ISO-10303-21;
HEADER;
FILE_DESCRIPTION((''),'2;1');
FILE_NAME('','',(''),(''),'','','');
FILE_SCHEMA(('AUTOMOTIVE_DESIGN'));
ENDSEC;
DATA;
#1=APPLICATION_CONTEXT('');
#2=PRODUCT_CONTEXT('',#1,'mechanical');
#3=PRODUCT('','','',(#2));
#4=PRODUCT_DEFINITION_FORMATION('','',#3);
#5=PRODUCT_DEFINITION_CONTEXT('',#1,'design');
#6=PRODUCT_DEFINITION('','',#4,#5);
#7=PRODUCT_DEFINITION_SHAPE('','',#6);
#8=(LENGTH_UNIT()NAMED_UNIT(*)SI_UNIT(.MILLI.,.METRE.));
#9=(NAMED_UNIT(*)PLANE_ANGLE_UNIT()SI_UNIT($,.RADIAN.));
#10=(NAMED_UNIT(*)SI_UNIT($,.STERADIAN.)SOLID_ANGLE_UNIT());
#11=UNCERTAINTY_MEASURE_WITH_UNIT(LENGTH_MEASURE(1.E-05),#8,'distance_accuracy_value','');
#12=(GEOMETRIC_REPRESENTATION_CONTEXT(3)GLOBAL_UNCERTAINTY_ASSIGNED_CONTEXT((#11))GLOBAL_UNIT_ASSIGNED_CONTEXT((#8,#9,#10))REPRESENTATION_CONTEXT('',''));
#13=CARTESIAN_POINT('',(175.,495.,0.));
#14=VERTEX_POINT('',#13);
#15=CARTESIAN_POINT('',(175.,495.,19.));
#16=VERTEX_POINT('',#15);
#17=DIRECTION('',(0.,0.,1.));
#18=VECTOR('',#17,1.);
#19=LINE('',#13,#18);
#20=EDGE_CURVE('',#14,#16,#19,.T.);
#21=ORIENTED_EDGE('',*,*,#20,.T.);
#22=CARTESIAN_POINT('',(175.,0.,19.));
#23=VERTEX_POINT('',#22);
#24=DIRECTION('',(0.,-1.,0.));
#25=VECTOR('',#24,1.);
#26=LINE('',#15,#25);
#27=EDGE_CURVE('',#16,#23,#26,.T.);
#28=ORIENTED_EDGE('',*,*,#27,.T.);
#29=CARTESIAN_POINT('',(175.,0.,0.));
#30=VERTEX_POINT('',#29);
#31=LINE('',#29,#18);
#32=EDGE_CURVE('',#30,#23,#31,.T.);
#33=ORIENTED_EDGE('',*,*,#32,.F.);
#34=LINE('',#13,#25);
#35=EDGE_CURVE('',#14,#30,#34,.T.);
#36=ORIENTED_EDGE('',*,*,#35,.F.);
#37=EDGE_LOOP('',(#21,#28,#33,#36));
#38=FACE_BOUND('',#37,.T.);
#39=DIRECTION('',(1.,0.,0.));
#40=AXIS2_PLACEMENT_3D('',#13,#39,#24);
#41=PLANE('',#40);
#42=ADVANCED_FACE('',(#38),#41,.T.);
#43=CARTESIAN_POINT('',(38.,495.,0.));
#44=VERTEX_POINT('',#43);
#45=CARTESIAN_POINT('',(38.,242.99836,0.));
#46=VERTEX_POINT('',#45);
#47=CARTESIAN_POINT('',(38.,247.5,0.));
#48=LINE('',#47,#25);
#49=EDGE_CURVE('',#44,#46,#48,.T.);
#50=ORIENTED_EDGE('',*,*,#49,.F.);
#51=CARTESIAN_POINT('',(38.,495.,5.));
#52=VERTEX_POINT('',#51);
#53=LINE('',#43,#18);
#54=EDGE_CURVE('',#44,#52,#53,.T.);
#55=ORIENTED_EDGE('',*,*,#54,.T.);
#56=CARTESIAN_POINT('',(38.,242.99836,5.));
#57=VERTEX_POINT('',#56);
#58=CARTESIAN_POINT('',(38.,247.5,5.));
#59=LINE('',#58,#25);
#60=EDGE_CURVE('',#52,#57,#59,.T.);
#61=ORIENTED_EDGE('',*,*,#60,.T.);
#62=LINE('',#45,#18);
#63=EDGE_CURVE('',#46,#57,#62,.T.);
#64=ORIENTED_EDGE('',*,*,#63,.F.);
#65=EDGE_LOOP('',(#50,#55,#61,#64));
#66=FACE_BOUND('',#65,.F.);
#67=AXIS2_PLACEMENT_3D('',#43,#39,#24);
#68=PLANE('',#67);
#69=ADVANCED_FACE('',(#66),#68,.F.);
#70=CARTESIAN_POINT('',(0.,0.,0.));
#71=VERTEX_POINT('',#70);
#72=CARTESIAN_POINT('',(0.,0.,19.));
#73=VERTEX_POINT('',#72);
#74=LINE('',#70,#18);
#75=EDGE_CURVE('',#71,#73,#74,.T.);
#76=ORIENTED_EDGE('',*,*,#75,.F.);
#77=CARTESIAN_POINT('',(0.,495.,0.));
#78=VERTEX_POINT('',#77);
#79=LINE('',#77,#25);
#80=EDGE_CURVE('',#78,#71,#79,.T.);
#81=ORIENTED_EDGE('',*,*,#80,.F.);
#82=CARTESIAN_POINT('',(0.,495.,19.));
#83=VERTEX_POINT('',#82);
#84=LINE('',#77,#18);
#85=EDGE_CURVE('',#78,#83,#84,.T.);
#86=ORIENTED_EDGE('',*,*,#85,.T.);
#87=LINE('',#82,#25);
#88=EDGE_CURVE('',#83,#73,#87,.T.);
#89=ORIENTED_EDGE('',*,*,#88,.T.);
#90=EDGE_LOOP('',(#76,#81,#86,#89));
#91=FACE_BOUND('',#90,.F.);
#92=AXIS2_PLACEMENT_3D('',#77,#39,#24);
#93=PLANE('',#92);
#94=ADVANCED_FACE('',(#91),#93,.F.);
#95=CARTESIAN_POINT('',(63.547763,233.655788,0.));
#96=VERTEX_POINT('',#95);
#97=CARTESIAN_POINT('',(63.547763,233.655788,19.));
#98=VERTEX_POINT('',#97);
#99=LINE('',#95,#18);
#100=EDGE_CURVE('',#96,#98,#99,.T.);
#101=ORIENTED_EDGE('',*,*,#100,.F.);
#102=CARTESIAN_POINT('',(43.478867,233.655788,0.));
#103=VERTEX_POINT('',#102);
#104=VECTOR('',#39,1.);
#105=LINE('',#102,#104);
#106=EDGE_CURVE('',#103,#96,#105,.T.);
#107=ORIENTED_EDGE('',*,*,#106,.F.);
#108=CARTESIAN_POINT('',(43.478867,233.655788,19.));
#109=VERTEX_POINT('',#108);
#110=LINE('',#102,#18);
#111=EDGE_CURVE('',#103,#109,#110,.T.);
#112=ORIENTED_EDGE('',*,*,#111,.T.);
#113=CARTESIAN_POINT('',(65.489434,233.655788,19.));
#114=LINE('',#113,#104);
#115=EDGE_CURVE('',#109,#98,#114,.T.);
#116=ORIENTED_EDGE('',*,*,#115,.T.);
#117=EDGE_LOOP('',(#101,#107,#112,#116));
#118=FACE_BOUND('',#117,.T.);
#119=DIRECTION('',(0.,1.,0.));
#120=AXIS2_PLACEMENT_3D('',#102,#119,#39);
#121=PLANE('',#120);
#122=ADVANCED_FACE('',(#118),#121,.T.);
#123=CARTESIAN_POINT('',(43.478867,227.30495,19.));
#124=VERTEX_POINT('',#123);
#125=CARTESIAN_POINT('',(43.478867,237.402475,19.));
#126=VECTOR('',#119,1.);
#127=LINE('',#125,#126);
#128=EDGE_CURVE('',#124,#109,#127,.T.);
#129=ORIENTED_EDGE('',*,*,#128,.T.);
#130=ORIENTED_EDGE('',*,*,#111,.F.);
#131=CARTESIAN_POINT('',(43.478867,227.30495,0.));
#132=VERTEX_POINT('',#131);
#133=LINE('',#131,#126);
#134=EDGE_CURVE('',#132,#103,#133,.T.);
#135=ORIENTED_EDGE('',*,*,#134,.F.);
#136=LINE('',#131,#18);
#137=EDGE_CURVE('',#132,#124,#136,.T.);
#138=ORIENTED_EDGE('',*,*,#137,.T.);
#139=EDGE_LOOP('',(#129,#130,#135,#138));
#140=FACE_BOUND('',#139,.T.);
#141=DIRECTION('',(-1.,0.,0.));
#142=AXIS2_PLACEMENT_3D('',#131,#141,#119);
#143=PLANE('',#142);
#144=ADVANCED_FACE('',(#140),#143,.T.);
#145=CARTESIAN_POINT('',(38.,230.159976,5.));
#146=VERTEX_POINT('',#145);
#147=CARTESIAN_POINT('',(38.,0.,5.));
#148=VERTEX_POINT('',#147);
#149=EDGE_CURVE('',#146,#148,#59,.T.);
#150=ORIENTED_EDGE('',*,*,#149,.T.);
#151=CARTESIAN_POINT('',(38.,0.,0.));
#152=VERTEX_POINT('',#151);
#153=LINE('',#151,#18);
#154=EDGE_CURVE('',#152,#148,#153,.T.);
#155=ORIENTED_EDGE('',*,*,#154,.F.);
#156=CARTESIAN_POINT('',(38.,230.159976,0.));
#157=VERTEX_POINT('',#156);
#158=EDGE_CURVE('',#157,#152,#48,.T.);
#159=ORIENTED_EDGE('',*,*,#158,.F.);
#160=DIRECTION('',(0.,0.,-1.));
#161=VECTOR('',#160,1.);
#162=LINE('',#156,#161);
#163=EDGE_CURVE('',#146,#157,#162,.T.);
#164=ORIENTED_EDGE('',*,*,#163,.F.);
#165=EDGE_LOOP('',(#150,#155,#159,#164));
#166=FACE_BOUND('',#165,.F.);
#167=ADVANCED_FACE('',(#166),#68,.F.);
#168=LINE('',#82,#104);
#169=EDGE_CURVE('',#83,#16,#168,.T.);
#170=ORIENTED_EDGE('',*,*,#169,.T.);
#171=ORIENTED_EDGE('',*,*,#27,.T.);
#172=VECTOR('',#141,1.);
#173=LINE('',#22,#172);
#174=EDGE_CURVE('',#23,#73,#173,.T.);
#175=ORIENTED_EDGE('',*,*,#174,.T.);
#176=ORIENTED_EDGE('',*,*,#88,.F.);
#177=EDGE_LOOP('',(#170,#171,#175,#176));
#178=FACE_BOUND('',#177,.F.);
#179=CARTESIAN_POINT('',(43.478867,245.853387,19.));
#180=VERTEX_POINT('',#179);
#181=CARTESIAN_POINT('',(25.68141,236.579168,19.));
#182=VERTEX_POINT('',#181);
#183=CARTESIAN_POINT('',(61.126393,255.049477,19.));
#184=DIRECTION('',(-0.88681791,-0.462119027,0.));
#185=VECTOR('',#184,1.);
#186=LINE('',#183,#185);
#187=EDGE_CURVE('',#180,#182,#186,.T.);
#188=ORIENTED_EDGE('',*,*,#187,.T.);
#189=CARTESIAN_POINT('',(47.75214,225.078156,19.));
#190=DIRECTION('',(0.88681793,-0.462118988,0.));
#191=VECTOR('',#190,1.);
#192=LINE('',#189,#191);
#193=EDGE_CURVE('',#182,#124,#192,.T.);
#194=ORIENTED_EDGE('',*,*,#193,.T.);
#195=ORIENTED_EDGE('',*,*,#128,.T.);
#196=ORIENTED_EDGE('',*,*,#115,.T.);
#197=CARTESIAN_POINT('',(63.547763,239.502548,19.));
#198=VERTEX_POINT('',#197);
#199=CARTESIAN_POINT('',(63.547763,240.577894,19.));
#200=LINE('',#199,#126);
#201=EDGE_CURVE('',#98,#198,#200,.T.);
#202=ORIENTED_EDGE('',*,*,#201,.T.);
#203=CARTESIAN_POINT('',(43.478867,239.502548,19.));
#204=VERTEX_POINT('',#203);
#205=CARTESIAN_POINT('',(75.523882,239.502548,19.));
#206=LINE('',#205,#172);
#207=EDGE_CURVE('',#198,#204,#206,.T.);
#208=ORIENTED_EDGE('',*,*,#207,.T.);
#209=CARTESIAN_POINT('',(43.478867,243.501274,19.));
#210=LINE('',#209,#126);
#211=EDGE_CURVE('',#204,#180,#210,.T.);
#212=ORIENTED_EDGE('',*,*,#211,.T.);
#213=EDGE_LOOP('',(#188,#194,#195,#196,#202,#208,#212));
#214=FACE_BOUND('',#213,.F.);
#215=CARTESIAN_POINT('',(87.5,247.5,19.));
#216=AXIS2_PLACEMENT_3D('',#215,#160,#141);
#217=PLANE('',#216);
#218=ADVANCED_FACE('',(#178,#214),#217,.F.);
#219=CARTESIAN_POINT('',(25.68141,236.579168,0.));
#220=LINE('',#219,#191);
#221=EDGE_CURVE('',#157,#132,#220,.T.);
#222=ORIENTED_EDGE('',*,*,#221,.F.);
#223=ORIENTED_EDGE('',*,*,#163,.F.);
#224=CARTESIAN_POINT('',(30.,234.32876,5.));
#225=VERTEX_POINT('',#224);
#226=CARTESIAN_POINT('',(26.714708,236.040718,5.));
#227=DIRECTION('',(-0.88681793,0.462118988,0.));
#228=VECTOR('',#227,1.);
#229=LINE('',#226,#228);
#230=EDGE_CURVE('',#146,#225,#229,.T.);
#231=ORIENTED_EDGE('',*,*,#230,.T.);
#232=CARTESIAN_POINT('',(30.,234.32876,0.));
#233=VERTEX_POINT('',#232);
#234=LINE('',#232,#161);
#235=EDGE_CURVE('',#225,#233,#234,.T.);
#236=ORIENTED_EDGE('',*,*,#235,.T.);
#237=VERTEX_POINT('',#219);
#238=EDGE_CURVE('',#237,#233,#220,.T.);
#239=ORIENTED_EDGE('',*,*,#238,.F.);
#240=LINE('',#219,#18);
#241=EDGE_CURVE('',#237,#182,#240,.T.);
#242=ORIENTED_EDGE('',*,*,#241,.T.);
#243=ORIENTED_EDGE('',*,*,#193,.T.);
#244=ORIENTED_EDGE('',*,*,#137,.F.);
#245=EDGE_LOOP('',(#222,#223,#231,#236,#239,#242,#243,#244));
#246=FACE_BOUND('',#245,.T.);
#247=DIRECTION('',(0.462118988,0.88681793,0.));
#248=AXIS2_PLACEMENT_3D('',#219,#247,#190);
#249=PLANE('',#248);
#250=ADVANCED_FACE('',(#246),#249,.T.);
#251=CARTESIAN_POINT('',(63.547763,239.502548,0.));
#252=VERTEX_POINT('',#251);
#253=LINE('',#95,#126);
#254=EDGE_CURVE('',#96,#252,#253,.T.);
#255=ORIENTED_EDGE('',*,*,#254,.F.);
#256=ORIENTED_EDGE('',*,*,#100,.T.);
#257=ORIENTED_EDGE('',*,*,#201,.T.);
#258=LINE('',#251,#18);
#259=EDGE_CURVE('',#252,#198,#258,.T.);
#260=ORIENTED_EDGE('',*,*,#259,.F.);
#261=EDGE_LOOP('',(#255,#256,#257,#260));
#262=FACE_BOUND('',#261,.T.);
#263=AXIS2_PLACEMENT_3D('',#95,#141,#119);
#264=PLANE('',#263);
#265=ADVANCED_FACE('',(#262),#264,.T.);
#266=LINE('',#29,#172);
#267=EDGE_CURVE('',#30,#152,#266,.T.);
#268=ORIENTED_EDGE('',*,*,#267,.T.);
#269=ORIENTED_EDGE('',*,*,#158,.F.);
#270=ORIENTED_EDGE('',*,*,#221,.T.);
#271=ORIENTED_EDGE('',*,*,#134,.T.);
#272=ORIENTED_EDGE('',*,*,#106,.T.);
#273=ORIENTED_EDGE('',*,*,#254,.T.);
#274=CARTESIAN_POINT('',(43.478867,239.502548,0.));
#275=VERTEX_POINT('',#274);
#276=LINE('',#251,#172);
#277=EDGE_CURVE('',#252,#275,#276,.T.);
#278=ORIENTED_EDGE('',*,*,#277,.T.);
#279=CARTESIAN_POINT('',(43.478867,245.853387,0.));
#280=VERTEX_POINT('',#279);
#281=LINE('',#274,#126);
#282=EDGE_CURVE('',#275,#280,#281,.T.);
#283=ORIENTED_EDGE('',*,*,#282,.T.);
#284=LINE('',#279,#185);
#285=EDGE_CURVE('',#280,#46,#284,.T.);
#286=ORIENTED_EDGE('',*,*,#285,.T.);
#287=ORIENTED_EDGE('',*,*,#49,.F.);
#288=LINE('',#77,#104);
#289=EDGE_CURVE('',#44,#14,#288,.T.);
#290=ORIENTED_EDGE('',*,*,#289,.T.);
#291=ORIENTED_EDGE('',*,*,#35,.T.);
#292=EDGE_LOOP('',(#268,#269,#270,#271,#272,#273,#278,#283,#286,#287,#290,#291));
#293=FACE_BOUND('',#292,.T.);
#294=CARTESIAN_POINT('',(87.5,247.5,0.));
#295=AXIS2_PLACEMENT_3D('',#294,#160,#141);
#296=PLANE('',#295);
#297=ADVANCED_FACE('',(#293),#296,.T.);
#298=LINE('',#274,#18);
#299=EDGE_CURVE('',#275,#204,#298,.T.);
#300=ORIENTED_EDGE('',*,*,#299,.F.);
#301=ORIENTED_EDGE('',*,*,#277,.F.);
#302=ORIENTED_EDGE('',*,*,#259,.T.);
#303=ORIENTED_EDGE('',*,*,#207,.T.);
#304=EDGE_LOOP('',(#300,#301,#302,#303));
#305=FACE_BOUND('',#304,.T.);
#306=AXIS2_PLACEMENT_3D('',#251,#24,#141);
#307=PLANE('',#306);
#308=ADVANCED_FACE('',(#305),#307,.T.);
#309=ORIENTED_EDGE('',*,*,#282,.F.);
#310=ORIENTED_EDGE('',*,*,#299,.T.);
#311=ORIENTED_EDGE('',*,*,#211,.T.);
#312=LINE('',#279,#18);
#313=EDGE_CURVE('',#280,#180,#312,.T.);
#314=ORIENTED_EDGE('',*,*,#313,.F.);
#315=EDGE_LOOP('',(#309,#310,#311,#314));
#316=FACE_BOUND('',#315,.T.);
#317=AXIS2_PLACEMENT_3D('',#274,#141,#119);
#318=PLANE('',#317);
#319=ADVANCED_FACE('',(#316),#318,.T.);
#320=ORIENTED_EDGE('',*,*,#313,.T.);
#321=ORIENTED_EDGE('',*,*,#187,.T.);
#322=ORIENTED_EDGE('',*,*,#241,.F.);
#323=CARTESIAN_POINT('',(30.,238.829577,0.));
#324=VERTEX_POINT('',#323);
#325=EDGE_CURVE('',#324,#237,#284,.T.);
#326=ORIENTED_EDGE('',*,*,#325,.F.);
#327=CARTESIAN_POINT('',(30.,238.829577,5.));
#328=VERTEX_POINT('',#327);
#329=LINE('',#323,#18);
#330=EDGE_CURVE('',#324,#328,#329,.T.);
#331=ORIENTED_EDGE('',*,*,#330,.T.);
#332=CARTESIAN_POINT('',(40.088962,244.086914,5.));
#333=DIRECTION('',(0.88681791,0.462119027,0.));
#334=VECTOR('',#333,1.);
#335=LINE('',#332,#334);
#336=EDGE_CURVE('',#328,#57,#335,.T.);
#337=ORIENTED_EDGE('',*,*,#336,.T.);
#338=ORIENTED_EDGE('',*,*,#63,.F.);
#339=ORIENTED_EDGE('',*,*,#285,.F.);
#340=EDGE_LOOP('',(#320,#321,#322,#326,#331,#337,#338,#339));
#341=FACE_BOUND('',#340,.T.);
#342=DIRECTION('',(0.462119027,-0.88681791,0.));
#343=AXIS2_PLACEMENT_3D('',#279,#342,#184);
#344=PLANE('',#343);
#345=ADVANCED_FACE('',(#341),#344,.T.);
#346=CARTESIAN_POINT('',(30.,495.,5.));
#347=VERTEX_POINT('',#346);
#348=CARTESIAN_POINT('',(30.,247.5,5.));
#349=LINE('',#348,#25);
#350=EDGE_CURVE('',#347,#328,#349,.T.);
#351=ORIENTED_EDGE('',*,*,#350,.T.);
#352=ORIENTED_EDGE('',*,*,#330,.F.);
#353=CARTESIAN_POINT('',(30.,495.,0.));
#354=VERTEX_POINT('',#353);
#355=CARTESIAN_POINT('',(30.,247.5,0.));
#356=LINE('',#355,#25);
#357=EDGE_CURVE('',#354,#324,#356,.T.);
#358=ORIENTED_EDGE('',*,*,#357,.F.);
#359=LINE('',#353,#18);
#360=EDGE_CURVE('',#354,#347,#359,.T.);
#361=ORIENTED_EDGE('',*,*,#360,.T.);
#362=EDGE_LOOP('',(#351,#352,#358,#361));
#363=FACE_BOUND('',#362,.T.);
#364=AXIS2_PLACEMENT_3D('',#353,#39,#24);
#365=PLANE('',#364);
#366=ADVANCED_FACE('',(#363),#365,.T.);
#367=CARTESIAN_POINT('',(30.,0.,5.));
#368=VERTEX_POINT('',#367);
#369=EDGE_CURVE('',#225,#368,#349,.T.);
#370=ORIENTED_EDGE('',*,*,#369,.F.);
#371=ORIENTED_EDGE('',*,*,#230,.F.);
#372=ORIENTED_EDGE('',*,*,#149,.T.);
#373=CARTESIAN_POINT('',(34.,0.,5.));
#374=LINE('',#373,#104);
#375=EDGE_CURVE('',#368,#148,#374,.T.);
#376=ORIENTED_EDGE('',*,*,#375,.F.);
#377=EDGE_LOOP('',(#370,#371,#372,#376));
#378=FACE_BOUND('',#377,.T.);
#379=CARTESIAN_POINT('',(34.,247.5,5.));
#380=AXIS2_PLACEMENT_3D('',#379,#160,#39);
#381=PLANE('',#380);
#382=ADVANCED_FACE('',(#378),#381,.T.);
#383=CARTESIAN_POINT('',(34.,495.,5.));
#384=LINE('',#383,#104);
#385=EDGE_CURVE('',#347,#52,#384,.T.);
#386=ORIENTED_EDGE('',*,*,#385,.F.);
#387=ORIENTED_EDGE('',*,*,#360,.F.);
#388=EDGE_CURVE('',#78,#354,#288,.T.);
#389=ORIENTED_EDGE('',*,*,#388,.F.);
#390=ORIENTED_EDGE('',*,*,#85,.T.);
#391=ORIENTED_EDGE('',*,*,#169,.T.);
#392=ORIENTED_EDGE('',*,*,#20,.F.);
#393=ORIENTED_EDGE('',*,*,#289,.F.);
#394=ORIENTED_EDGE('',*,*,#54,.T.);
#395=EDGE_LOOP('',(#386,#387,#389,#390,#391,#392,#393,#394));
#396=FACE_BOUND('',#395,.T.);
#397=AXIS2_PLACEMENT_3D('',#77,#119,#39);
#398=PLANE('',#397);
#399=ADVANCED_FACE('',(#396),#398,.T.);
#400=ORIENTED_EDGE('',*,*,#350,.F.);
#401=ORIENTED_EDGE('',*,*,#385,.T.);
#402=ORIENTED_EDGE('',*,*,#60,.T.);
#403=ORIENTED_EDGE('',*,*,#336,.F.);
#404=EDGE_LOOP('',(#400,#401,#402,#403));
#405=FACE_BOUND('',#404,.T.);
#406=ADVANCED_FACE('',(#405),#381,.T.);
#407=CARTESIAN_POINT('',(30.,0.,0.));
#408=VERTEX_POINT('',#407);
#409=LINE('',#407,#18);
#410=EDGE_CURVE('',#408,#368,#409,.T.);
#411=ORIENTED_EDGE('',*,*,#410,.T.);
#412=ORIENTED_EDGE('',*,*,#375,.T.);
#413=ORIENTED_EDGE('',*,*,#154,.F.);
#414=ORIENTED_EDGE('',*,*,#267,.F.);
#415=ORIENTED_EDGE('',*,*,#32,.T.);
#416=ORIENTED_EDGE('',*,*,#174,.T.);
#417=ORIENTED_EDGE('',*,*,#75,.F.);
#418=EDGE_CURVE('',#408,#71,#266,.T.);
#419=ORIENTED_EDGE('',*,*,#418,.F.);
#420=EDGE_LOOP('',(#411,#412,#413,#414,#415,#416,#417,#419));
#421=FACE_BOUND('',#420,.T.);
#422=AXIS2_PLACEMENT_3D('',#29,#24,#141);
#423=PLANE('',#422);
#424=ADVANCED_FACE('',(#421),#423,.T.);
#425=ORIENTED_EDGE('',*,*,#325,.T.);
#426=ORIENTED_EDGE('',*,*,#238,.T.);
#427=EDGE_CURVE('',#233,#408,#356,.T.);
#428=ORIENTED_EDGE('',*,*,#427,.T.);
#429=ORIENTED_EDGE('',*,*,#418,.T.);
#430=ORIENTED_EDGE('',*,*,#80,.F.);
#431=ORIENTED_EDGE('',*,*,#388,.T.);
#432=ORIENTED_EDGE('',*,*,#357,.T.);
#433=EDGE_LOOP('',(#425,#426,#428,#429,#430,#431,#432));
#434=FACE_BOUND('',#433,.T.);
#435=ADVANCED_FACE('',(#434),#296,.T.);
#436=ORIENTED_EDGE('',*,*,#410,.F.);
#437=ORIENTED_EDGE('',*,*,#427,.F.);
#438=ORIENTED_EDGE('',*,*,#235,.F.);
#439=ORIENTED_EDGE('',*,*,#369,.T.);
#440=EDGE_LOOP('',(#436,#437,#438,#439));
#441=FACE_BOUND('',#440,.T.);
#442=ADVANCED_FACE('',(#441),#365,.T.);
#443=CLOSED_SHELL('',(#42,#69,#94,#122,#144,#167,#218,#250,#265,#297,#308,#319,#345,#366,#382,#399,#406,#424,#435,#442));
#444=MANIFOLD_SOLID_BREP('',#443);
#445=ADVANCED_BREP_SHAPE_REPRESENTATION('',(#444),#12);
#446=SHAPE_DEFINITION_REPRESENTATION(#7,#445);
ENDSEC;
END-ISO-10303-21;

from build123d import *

# Parameters (mm, degrees)
PAD_DEPTH       = 19
POCKET_DEPTH    = 20
SKETCH002_W     = 8
SKETCH002_H     = 495
POCKET001_DEPTH = 5


with BuildPart() as part:
    # Sketch → Pad (new body)
    with BuildSketch(Plane.XY):
        Polygon((0, 495), (175, 495), (175, 0), (0, 0), (0, 247.5), align=None)
    extrude(amount=PAD_DEPTH)

    # Sketch001 (on Face6 of Pad) → Pocket (cut)
    with BuildSketch(Plane(origin=(0, 0, 0), x_dir=(1, 0, 0), z_dir=(0, 0, -1))):
        Polygon((43.478867, -245.853387), (25.68141, -236.579168), (43.478867, -227.30495), (43.478867, -233.655788), (63.547763, -233.655788), (63.547763, -239.502548), (43.478867, -239.502548), align=None)
    extrude(amount=-POCKET_DEPTH, mode=Mode.SUBTRACT)

    # Sketch002 (on Face4 of Pocket) → Pocket001 (cut)
    with BuildSketch(Plane(origin=(0, 0, 0), x_dir=(1, 0, 0), z_dir=(0, 0, -1))):
        with Locations((34, -247.5)):
            Rectangle(SKETCH002_W, SKETCH002_H)
    extrude(amount=-POCKET001_DEPTH, mode=Mode.SUBTRACT)


solid = part.part
